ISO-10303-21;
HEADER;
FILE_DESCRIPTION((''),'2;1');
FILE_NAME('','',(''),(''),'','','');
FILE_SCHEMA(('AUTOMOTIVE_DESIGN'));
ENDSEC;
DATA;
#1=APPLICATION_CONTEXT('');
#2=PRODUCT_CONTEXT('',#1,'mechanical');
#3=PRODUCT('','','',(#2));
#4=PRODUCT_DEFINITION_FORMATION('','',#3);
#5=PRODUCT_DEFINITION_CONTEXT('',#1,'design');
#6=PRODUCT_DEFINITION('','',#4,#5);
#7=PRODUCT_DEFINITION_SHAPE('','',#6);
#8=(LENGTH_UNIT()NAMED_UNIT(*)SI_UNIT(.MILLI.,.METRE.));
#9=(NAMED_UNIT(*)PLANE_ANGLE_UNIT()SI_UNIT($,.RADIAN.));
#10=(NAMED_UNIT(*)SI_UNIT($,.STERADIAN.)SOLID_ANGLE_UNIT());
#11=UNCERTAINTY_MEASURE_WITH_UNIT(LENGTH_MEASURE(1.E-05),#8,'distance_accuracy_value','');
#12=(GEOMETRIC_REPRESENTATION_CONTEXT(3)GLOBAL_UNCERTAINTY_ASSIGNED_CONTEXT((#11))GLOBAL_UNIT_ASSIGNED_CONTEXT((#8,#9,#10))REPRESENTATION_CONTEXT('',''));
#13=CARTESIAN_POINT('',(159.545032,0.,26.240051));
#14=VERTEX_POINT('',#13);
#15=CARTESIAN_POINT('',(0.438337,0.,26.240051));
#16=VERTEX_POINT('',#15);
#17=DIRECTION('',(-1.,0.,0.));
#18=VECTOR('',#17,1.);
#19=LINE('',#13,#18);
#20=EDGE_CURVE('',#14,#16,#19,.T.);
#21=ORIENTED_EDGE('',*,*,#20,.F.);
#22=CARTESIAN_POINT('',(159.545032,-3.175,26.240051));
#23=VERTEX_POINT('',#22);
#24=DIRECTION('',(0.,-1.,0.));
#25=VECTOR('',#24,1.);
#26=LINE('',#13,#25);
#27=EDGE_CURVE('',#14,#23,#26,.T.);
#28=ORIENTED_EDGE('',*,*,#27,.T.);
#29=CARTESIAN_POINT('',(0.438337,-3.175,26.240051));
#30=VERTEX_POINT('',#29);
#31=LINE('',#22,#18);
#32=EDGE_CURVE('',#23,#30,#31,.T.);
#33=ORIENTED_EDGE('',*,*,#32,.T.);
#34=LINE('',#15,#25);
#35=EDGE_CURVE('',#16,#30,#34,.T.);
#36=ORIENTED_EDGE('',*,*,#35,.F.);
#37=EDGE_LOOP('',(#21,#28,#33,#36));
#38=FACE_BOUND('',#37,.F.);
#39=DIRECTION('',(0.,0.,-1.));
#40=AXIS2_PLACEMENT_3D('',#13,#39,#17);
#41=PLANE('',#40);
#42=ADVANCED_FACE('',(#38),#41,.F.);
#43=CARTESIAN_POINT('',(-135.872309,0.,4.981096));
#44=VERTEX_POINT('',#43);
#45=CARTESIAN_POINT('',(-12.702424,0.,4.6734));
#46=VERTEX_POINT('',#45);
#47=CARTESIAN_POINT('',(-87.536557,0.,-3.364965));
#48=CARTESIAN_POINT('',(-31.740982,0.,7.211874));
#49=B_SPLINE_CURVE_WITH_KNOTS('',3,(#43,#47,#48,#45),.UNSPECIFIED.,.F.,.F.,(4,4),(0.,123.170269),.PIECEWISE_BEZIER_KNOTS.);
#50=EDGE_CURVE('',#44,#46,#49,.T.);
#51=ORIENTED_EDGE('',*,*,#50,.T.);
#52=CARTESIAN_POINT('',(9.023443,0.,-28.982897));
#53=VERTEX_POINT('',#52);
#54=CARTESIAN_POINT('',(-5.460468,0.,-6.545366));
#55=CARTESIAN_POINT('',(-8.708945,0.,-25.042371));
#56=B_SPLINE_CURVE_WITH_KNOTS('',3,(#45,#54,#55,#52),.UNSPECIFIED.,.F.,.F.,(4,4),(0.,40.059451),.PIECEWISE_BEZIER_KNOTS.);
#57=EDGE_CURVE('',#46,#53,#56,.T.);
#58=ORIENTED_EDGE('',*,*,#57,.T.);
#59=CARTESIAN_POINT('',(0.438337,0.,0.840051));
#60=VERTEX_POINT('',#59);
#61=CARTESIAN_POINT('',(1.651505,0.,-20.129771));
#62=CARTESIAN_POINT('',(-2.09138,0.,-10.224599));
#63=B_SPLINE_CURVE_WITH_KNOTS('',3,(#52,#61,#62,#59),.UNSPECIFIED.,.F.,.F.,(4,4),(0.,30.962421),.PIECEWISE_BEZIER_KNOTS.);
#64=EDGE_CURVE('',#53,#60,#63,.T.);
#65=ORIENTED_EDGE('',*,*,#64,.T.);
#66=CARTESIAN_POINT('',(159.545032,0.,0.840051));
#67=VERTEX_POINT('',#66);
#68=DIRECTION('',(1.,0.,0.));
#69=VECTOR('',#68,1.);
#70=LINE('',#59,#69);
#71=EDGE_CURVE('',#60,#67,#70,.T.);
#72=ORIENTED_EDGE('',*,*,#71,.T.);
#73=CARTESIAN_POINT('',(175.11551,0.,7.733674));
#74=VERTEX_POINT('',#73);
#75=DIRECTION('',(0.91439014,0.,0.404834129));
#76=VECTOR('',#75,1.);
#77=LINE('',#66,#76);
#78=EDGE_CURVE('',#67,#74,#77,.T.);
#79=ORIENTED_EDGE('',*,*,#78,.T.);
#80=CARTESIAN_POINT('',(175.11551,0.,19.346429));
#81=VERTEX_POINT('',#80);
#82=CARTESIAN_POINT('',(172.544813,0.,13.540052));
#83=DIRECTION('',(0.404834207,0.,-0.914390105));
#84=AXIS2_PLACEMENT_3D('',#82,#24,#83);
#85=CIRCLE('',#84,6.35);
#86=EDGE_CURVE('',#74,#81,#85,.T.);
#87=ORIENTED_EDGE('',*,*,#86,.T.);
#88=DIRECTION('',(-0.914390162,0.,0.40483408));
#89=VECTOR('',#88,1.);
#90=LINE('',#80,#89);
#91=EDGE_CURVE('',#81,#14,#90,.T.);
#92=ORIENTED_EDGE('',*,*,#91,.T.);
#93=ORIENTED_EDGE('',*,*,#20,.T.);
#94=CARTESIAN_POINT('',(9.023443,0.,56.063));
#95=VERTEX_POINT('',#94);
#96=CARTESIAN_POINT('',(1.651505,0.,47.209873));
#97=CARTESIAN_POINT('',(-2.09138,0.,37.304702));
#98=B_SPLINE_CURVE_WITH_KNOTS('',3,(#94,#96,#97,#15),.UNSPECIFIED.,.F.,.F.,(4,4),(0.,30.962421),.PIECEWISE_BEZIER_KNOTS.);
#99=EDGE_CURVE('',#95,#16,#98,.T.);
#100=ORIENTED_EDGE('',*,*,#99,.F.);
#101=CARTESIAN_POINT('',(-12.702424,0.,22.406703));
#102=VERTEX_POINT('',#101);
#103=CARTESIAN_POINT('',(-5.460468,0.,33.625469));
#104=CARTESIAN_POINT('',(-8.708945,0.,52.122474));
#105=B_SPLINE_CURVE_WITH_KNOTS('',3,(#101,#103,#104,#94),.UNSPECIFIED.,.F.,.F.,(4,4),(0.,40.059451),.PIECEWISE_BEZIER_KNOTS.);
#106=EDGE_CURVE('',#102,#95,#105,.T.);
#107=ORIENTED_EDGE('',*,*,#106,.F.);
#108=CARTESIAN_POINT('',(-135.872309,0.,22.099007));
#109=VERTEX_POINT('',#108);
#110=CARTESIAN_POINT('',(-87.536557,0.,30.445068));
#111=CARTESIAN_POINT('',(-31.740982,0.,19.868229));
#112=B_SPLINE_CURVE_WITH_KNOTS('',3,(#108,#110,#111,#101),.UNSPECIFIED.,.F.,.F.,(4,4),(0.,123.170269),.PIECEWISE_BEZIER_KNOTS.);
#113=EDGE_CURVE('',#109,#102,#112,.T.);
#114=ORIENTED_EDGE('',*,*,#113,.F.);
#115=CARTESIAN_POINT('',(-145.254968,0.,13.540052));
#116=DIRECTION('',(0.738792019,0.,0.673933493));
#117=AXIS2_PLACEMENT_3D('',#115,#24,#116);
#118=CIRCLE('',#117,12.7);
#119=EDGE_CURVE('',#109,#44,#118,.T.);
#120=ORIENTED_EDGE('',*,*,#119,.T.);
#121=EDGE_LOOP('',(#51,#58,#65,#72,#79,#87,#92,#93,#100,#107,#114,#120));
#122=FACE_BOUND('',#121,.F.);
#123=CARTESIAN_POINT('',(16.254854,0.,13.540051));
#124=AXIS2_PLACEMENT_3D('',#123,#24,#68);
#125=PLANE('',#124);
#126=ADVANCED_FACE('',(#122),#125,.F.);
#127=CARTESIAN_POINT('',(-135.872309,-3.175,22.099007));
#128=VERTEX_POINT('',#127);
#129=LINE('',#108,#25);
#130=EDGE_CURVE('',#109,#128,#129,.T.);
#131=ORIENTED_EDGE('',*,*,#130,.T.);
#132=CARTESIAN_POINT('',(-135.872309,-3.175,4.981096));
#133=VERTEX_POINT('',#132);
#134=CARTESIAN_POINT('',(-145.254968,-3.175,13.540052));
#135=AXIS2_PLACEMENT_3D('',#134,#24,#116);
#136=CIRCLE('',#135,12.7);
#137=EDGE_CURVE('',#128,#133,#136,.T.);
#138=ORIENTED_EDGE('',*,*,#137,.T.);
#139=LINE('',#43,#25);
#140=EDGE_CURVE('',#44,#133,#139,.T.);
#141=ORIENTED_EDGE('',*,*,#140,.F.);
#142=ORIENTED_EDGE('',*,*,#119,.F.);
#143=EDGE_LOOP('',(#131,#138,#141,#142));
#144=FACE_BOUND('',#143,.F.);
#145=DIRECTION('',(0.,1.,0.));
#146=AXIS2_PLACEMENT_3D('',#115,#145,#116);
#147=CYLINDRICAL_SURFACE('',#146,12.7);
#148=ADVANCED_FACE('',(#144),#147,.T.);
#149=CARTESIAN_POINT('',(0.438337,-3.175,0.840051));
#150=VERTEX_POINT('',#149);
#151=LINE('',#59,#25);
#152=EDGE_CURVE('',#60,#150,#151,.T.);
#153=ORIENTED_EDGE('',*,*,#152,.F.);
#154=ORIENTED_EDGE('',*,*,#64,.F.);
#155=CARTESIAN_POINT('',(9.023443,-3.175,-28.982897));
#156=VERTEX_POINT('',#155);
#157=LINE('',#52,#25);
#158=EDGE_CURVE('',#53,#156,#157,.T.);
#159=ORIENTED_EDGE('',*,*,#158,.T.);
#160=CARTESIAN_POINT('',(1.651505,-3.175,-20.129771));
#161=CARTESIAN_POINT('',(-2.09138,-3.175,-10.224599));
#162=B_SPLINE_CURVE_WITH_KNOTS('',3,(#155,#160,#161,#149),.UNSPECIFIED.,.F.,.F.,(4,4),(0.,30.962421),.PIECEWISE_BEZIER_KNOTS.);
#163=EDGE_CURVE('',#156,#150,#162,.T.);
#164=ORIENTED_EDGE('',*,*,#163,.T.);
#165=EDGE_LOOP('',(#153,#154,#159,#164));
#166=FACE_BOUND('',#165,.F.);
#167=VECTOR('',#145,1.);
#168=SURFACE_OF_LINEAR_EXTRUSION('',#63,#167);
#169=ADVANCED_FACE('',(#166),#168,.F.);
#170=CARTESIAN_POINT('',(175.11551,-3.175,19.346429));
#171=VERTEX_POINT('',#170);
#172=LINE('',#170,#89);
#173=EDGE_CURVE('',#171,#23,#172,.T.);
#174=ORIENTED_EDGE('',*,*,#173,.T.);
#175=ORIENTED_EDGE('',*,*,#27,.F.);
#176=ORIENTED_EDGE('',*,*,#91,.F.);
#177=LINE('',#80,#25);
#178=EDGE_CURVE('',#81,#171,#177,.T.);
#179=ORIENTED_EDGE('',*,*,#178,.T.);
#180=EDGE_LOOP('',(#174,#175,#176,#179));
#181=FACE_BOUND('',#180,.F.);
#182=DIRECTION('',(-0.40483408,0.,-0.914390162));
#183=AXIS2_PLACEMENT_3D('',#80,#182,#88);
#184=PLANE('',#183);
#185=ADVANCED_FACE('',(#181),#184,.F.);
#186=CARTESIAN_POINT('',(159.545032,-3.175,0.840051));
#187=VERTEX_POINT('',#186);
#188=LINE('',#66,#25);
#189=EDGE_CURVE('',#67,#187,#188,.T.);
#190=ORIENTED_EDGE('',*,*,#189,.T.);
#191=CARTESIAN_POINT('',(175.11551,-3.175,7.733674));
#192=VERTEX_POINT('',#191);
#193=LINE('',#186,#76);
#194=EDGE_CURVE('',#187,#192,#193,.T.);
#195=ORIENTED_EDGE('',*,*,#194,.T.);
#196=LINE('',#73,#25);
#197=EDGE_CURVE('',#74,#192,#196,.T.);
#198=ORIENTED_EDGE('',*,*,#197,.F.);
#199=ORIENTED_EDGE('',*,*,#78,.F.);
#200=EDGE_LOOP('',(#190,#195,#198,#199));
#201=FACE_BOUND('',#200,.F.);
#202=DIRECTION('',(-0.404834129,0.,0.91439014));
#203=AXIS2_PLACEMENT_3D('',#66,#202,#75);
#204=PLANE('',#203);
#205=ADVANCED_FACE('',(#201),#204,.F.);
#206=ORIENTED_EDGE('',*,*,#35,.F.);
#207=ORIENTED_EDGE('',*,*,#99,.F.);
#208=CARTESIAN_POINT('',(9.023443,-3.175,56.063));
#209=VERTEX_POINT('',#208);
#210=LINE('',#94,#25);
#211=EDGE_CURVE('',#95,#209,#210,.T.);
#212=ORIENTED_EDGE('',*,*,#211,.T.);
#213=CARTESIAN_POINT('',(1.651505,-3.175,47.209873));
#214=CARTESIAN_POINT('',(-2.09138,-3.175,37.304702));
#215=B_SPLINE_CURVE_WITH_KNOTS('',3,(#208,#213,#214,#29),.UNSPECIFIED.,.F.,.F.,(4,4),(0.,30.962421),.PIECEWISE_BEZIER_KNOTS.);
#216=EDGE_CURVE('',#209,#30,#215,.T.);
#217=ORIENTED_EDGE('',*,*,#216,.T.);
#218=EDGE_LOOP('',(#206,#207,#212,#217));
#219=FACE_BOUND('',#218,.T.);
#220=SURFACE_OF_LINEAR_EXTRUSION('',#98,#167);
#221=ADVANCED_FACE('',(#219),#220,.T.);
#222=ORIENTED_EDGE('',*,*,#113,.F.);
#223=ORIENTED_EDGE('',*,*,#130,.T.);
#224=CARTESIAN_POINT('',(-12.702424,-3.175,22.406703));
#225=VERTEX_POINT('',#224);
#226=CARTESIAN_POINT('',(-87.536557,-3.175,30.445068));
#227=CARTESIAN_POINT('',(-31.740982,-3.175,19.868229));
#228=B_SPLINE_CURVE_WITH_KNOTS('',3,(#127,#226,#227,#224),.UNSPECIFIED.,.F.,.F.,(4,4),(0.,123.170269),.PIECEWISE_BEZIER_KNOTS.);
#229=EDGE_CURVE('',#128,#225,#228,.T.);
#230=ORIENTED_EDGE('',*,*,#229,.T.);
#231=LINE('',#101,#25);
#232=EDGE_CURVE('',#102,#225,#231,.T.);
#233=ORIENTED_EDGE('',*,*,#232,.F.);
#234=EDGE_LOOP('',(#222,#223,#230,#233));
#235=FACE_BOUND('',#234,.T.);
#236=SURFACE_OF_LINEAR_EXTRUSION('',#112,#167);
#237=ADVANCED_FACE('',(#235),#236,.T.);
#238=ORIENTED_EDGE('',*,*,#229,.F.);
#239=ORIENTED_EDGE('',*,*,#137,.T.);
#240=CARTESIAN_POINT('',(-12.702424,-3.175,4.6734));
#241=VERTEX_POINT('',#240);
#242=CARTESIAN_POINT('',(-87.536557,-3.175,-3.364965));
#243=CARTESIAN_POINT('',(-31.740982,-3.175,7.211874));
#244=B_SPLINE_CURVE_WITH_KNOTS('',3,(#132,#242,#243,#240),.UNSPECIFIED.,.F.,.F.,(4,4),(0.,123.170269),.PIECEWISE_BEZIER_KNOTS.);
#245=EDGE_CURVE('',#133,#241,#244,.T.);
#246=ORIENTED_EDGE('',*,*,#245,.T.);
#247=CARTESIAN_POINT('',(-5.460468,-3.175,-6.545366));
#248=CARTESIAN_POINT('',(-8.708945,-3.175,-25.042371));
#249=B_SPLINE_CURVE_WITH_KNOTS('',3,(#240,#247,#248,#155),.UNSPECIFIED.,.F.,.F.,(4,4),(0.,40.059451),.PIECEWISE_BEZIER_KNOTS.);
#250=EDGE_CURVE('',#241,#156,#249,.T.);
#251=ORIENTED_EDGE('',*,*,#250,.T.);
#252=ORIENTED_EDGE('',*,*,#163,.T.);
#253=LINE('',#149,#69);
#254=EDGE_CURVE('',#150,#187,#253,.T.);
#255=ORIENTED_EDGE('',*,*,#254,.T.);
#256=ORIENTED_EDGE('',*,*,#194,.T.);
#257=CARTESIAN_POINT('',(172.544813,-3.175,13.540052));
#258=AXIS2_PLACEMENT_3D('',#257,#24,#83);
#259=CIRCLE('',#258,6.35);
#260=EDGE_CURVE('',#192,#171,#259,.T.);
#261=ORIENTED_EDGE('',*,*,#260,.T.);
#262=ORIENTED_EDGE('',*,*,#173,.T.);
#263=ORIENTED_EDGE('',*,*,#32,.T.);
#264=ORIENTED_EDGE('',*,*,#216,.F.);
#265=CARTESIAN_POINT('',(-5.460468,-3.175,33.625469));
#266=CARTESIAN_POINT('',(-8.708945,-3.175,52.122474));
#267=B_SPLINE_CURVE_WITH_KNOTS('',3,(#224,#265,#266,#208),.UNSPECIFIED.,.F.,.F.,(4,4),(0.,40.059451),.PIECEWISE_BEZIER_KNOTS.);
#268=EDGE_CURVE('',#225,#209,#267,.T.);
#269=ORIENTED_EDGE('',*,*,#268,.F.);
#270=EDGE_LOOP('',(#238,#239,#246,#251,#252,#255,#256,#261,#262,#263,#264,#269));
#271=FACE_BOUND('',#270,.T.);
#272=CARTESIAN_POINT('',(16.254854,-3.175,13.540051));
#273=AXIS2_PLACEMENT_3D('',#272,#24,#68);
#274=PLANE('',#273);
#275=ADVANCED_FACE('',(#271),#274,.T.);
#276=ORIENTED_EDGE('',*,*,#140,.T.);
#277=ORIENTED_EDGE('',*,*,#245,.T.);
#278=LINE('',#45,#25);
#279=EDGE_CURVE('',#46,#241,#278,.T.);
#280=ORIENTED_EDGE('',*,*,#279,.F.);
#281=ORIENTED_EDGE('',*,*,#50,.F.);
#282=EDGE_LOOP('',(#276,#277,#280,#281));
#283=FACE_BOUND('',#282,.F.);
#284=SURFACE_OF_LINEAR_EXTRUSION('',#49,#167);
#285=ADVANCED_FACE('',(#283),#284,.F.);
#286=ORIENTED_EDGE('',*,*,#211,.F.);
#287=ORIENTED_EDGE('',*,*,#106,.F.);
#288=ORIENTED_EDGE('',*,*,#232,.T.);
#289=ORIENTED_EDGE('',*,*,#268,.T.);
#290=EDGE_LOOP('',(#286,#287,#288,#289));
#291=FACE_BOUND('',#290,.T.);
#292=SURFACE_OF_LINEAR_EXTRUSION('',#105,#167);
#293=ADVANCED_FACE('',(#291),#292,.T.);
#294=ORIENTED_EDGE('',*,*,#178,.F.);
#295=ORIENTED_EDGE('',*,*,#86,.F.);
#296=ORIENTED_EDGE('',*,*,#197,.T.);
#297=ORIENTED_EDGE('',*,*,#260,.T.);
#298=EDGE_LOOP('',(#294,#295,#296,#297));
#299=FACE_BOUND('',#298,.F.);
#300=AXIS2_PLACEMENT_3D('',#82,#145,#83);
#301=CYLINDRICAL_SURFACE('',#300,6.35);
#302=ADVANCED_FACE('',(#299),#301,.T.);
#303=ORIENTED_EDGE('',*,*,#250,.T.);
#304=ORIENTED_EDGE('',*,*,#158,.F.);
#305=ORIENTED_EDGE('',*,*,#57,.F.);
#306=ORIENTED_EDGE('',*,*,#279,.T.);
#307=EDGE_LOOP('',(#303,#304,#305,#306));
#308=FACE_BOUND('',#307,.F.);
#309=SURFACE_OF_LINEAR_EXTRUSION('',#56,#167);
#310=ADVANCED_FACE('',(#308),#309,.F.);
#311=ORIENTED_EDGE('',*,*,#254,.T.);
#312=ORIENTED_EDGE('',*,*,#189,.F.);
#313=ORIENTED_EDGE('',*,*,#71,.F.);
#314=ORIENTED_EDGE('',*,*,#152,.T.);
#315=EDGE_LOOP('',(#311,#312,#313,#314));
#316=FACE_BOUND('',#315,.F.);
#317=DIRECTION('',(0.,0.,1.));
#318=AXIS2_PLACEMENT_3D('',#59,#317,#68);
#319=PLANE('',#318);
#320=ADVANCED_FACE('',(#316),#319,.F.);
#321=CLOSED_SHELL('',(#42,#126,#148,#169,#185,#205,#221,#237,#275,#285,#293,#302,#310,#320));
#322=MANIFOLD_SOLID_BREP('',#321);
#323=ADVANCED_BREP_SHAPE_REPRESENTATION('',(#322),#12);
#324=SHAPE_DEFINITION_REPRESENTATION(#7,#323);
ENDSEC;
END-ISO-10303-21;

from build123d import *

# Parameters (mm, degrees)
F1_DEPTH = 3.175


with BuildPart() as f1:
    # F0 (on Front) → F1 (new body)
    with BuildSketch(Plane.XZ):
        with BuildLine():
            ThreePointArc((-135.872309, 22.099007), (-133.413309, 18.129726), (-132.554968, 13.540051))
            ThreePointArc((-132.554968, 13.540051), (-133.413309, 8.950376), (-135.872309, 4.981096))
            add(Edge.make_bspline(
                [(-135.872309, 4.981096), (-87.536557, -3.364965), (-31.740982, 7.211874), (-12.702424, 4.6734)],
                knots=[0, 0, 0, 0, 123.170269, 123.170269, 123.170269, 123.170269], degree=3))
            add(Edge.make_bspline(
                [(-12.702424, 4.6734), (-5.460468, -6.545366), (-8.708945, -25.042371), (9.023443, -28.982897)],
                knots=[0, 0, 0, 0, 40.059451, 40.059451, 40.059451, 40.059451], degree=3))
            add(Edge.make_bspline(
                [(9.023443, -28.982897), (1.651505, -20.129771), (-2.09138, -10.224599), (0.438337, 0.840051)],
                knots=[0, 0, 0, 0, 30.962421, 30.962421, 30.962421, 30.962421], degree=3))
            Line((0.438337, 0.840051), (159.545032, 0.840051))
            Line((159.545032, 0.840051), (175.11551, 7.733674))
            ThreePointArc((175.11551, 7.733674), (178.894813, 13.540051), (175.11551, 19.346429))
            Line((175.11551, 19.346429), (159.545032, 26.240051))
            Line((159.545032, 26.240051), (0.438337, 26.240051))
            add(Edge.make_bspline(
                [(9.023443, 56.063), (1.651505, 47.209873), (-2.09138, 37.304702), (0.438337, 26.240051)],
                knots=[0, 0, 0, 0, 30.962421, 30.962421, 30.962421, 30.962421], degree=3))
            add(Edge.make_bspline(
                [(-12.702424, 22.406703), (-5.460468, 33.625469), (-8.708945, 52.122474), (9.023443, 56.063)],
                knots=[0, 0, 0, 0, 40.059451, 40.059451, 40.059451, 40.059451], degree=3))
            add(Edge.make_bspline(
                [(-135.872309, 22.099007), (-87.536557, 30.445068), (-31.740982, 19.868229), (-12.702424, 22.406703)],
                knots=[0, 0, 0, 0, 123.170269, 123.170269, 123.170269, 123.170269], degree=3))
        make_face()
        with BuildLine():
            ThreePointArc((-135.872309, 4.981096), (-133.413309, 8.950376), (-132.554968, 13.540051))
            ThreePointArc((-132.554968, 13.540051), (-133.413309, 18.129726), (-135.872309, 22.099007))
            ThreePointArc((-135.872309, 22.099007), (-157.954968, 13.540051), (-135.872309, 4.981096))
        make_face()
    extrude(amount=F1_DEPTH)


solid = f1.part
